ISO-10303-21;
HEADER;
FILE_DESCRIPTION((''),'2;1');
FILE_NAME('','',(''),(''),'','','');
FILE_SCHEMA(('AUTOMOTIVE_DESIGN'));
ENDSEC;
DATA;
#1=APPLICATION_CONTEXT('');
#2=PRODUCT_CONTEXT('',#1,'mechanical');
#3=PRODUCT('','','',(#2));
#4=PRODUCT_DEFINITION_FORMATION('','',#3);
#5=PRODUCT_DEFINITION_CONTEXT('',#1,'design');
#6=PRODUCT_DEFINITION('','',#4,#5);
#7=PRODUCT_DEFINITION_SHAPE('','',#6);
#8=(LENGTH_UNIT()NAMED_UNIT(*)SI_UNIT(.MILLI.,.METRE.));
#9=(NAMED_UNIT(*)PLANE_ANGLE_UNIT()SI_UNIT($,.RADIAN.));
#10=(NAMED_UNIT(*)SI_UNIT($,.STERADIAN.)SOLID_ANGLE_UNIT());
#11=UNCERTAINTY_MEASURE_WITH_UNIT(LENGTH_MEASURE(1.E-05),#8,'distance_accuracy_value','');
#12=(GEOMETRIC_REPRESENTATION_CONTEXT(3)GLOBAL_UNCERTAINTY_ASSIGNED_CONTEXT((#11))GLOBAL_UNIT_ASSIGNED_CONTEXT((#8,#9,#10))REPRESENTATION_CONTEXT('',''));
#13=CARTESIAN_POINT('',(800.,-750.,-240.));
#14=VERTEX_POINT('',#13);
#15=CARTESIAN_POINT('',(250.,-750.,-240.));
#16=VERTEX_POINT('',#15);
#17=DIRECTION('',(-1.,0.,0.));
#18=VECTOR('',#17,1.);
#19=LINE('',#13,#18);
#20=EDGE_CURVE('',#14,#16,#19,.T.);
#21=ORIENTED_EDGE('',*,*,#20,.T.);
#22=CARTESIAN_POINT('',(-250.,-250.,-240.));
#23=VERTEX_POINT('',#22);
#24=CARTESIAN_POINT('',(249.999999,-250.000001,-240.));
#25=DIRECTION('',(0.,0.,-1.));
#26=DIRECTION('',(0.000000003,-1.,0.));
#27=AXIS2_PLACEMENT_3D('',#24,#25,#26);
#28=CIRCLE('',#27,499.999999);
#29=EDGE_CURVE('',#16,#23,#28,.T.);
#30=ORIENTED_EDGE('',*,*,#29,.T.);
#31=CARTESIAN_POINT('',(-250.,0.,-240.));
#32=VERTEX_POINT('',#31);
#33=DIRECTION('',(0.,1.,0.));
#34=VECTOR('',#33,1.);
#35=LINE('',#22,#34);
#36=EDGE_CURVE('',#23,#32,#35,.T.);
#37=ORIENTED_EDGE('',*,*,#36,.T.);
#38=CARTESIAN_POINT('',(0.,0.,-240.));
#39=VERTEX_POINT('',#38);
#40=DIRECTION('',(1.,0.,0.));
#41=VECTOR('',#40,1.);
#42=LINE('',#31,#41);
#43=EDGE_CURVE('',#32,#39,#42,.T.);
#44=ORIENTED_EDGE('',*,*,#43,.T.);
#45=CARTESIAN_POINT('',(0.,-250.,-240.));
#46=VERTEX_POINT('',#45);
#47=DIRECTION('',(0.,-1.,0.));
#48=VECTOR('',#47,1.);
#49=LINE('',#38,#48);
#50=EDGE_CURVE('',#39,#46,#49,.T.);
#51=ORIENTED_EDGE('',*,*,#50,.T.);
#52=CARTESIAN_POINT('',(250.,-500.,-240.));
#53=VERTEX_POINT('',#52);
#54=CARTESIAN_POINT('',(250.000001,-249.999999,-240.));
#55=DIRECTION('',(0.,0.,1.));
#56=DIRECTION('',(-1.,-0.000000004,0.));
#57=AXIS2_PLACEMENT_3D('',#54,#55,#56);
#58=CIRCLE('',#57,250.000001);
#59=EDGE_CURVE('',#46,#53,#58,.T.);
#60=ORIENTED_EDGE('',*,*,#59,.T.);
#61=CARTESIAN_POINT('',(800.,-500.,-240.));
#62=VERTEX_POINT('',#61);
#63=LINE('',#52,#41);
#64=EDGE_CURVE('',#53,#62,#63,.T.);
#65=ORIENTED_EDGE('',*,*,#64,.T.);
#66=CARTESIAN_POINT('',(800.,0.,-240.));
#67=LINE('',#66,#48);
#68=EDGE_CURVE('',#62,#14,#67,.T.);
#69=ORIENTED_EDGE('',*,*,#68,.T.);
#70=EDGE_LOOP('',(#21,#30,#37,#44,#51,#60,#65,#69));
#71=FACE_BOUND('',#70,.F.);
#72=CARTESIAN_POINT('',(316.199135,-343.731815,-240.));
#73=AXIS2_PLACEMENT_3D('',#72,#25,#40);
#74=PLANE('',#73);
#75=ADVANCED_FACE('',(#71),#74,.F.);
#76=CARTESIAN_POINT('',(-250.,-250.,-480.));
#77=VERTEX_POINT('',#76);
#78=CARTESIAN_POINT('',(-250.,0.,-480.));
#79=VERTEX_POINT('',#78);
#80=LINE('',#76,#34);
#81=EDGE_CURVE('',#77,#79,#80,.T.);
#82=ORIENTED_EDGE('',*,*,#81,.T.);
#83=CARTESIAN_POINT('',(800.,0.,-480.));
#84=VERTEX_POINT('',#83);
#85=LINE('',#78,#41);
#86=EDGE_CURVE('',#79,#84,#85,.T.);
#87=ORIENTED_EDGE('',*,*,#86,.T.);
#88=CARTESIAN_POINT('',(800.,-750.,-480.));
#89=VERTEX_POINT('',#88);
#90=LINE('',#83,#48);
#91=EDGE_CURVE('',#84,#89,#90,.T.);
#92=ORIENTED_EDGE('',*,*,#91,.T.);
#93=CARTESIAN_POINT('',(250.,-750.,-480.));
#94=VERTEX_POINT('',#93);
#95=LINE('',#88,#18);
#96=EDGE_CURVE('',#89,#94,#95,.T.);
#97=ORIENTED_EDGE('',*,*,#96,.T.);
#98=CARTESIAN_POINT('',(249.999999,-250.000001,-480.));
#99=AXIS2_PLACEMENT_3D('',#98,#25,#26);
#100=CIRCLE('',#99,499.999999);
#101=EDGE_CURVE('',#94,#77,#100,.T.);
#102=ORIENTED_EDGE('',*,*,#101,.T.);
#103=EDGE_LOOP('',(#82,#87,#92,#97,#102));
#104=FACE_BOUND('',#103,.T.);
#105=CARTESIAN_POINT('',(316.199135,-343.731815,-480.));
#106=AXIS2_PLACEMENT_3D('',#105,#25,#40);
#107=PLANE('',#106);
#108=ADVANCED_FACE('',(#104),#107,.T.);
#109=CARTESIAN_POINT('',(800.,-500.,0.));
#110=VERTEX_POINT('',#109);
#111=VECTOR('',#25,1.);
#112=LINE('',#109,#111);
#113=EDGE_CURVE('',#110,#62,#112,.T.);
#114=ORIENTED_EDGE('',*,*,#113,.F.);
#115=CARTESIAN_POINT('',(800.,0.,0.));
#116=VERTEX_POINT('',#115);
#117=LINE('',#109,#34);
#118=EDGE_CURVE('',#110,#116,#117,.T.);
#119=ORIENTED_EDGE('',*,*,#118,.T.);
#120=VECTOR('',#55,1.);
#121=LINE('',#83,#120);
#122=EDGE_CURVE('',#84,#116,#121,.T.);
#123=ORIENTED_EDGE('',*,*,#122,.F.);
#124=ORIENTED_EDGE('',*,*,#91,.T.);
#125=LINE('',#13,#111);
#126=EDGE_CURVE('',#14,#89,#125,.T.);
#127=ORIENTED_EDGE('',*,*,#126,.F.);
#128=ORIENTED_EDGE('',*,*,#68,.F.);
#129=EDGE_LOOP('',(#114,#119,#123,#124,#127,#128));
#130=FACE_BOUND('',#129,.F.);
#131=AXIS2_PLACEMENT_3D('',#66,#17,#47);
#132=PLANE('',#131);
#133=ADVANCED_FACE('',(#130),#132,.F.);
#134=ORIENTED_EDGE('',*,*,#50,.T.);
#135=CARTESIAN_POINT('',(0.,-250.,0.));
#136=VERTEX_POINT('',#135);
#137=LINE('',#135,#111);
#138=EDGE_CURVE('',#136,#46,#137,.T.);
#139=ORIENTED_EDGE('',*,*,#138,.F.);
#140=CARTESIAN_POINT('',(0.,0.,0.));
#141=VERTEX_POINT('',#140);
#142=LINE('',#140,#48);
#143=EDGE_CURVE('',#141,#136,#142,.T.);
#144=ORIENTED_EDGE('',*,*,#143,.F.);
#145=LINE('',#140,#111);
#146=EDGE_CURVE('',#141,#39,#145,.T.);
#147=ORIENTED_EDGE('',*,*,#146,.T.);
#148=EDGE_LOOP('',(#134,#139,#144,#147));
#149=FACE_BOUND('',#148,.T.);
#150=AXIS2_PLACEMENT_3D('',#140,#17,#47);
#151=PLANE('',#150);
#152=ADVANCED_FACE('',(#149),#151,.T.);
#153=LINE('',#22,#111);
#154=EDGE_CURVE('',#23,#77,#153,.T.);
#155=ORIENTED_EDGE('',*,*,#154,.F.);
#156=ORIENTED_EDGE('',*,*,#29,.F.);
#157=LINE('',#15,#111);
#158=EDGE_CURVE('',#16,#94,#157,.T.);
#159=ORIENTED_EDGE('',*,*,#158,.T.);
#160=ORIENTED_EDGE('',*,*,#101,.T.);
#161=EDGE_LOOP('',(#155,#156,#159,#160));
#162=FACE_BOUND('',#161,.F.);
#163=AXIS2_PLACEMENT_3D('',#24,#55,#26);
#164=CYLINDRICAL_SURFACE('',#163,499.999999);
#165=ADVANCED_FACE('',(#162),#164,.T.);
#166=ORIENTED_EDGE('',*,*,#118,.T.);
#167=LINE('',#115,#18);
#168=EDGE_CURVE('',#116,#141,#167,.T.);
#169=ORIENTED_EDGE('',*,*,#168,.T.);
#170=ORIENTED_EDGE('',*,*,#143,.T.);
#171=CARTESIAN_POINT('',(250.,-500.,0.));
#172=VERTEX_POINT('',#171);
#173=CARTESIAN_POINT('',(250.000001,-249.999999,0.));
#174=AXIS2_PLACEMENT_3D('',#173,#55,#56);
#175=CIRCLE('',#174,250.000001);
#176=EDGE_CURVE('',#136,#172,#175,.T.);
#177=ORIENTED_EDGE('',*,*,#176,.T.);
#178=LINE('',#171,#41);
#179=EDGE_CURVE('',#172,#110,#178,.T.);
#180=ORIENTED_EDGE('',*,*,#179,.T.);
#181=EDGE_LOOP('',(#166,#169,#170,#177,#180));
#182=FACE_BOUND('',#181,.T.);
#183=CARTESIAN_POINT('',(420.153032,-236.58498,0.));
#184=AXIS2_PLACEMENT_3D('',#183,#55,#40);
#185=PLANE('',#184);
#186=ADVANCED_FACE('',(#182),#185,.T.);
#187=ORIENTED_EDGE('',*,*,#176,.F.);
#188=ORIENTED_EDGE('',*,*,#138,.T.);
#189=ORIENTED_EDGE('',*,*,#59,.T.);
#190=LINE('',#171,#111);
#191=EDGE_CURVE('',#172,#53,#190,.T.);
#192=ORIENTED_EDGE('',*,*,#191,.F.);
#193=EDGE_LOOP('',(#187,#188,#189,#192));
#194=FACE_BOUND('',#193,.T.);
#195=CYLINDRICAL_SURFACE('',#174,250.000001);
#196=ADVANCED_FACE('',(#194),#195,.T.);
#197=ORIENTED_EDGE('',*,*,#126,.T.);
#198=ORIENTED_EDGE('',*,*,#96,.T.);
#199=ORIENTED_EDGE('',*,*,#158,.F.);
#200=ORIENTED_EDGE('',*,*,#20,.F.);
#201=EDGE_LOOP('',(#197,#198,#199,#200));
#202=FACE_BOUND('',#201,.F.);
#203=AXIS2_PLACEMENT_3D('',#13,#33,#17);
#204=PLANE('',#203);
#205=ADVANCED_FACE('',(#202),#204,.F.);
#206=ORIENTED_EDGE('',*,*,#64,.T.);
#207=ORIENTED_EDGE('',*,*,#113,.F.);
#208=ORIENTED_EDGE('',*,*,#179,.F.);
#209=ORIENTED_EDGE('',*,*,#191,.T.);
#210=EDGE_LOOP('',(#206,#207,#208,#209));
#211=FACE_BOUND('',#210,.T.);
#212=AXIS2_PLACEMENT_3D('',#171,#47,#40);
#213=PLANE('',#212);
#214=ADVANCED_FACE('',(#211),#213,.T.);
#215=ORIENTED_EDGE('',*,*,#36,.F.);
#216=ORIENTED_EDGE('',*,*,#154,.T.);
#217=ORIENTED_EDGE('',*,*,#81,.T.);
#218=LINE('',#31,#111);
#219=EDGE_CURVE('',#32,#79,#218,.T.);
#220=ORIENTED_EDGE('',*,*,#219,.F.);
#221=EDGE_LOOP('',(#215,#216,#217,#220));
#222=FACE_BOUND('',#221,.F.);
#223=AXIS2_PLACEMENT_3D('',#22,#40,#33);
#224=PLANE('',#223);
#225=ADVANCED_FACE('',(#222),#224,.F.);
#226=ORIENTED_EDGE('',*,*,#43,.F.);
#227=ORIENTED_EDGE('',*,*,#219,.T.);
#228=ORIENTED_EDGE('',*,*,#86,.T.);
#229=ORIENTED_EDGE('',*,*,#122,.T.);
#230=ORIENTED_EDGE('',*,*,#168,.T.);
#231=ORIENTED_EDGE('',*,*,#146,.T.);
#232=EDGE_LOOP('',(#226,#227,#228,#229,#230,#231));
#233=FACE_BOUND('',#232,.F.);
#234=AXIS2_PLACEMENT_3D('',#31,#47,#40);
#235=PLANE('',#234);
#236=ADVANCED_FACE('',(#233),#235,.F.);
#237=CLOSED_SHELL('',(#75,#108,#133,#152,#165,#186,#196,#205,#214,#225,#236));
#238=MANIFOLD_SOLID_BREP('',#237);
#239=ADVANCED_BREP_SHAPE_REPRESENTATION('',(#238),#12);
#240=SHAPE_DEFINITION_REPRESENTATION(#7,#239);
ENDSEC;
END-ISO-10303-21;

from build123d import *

# Parameters (mm, degrees)
F1_DEPTH = 240
F3_DEPTH = 240


with BuildPart() as f1:
    # F0 (on Top) → F1 (new body)
    with BuildSketch(Plane.XY):
        with BuildLine():
            Line((800, 0), (0, 0))
            Line((0, 0), (0, -250))
            ThreePointArc((0, -250), (73.223305, -426.776695), (250, -500))
            Line((250, -500), (800, -500))
            Line((800, -500), (800, 0))
        make_face()
    extrude(amount=-F1_DEPTH)

    # F2 (on face) → F3 (join)
    with BuildSketch(Plane(origin=(0, 0, -240), x_dir=(1, 0, 0), z_dir=(0, 0, -1))):
        with BuildLine():
            ThreePointArc((250, 750), (-103.553391, 603.553391), (-250, 250))
            Line((-250, 250), (-250, 0))
            Line((-250, 0), (800, 0))
            Line((800, 0), (800, 750))
            Line((800, 750), (250, 750))
        make_face()
    extrude(amount=F3_DEPTH)


solid = f1.part
